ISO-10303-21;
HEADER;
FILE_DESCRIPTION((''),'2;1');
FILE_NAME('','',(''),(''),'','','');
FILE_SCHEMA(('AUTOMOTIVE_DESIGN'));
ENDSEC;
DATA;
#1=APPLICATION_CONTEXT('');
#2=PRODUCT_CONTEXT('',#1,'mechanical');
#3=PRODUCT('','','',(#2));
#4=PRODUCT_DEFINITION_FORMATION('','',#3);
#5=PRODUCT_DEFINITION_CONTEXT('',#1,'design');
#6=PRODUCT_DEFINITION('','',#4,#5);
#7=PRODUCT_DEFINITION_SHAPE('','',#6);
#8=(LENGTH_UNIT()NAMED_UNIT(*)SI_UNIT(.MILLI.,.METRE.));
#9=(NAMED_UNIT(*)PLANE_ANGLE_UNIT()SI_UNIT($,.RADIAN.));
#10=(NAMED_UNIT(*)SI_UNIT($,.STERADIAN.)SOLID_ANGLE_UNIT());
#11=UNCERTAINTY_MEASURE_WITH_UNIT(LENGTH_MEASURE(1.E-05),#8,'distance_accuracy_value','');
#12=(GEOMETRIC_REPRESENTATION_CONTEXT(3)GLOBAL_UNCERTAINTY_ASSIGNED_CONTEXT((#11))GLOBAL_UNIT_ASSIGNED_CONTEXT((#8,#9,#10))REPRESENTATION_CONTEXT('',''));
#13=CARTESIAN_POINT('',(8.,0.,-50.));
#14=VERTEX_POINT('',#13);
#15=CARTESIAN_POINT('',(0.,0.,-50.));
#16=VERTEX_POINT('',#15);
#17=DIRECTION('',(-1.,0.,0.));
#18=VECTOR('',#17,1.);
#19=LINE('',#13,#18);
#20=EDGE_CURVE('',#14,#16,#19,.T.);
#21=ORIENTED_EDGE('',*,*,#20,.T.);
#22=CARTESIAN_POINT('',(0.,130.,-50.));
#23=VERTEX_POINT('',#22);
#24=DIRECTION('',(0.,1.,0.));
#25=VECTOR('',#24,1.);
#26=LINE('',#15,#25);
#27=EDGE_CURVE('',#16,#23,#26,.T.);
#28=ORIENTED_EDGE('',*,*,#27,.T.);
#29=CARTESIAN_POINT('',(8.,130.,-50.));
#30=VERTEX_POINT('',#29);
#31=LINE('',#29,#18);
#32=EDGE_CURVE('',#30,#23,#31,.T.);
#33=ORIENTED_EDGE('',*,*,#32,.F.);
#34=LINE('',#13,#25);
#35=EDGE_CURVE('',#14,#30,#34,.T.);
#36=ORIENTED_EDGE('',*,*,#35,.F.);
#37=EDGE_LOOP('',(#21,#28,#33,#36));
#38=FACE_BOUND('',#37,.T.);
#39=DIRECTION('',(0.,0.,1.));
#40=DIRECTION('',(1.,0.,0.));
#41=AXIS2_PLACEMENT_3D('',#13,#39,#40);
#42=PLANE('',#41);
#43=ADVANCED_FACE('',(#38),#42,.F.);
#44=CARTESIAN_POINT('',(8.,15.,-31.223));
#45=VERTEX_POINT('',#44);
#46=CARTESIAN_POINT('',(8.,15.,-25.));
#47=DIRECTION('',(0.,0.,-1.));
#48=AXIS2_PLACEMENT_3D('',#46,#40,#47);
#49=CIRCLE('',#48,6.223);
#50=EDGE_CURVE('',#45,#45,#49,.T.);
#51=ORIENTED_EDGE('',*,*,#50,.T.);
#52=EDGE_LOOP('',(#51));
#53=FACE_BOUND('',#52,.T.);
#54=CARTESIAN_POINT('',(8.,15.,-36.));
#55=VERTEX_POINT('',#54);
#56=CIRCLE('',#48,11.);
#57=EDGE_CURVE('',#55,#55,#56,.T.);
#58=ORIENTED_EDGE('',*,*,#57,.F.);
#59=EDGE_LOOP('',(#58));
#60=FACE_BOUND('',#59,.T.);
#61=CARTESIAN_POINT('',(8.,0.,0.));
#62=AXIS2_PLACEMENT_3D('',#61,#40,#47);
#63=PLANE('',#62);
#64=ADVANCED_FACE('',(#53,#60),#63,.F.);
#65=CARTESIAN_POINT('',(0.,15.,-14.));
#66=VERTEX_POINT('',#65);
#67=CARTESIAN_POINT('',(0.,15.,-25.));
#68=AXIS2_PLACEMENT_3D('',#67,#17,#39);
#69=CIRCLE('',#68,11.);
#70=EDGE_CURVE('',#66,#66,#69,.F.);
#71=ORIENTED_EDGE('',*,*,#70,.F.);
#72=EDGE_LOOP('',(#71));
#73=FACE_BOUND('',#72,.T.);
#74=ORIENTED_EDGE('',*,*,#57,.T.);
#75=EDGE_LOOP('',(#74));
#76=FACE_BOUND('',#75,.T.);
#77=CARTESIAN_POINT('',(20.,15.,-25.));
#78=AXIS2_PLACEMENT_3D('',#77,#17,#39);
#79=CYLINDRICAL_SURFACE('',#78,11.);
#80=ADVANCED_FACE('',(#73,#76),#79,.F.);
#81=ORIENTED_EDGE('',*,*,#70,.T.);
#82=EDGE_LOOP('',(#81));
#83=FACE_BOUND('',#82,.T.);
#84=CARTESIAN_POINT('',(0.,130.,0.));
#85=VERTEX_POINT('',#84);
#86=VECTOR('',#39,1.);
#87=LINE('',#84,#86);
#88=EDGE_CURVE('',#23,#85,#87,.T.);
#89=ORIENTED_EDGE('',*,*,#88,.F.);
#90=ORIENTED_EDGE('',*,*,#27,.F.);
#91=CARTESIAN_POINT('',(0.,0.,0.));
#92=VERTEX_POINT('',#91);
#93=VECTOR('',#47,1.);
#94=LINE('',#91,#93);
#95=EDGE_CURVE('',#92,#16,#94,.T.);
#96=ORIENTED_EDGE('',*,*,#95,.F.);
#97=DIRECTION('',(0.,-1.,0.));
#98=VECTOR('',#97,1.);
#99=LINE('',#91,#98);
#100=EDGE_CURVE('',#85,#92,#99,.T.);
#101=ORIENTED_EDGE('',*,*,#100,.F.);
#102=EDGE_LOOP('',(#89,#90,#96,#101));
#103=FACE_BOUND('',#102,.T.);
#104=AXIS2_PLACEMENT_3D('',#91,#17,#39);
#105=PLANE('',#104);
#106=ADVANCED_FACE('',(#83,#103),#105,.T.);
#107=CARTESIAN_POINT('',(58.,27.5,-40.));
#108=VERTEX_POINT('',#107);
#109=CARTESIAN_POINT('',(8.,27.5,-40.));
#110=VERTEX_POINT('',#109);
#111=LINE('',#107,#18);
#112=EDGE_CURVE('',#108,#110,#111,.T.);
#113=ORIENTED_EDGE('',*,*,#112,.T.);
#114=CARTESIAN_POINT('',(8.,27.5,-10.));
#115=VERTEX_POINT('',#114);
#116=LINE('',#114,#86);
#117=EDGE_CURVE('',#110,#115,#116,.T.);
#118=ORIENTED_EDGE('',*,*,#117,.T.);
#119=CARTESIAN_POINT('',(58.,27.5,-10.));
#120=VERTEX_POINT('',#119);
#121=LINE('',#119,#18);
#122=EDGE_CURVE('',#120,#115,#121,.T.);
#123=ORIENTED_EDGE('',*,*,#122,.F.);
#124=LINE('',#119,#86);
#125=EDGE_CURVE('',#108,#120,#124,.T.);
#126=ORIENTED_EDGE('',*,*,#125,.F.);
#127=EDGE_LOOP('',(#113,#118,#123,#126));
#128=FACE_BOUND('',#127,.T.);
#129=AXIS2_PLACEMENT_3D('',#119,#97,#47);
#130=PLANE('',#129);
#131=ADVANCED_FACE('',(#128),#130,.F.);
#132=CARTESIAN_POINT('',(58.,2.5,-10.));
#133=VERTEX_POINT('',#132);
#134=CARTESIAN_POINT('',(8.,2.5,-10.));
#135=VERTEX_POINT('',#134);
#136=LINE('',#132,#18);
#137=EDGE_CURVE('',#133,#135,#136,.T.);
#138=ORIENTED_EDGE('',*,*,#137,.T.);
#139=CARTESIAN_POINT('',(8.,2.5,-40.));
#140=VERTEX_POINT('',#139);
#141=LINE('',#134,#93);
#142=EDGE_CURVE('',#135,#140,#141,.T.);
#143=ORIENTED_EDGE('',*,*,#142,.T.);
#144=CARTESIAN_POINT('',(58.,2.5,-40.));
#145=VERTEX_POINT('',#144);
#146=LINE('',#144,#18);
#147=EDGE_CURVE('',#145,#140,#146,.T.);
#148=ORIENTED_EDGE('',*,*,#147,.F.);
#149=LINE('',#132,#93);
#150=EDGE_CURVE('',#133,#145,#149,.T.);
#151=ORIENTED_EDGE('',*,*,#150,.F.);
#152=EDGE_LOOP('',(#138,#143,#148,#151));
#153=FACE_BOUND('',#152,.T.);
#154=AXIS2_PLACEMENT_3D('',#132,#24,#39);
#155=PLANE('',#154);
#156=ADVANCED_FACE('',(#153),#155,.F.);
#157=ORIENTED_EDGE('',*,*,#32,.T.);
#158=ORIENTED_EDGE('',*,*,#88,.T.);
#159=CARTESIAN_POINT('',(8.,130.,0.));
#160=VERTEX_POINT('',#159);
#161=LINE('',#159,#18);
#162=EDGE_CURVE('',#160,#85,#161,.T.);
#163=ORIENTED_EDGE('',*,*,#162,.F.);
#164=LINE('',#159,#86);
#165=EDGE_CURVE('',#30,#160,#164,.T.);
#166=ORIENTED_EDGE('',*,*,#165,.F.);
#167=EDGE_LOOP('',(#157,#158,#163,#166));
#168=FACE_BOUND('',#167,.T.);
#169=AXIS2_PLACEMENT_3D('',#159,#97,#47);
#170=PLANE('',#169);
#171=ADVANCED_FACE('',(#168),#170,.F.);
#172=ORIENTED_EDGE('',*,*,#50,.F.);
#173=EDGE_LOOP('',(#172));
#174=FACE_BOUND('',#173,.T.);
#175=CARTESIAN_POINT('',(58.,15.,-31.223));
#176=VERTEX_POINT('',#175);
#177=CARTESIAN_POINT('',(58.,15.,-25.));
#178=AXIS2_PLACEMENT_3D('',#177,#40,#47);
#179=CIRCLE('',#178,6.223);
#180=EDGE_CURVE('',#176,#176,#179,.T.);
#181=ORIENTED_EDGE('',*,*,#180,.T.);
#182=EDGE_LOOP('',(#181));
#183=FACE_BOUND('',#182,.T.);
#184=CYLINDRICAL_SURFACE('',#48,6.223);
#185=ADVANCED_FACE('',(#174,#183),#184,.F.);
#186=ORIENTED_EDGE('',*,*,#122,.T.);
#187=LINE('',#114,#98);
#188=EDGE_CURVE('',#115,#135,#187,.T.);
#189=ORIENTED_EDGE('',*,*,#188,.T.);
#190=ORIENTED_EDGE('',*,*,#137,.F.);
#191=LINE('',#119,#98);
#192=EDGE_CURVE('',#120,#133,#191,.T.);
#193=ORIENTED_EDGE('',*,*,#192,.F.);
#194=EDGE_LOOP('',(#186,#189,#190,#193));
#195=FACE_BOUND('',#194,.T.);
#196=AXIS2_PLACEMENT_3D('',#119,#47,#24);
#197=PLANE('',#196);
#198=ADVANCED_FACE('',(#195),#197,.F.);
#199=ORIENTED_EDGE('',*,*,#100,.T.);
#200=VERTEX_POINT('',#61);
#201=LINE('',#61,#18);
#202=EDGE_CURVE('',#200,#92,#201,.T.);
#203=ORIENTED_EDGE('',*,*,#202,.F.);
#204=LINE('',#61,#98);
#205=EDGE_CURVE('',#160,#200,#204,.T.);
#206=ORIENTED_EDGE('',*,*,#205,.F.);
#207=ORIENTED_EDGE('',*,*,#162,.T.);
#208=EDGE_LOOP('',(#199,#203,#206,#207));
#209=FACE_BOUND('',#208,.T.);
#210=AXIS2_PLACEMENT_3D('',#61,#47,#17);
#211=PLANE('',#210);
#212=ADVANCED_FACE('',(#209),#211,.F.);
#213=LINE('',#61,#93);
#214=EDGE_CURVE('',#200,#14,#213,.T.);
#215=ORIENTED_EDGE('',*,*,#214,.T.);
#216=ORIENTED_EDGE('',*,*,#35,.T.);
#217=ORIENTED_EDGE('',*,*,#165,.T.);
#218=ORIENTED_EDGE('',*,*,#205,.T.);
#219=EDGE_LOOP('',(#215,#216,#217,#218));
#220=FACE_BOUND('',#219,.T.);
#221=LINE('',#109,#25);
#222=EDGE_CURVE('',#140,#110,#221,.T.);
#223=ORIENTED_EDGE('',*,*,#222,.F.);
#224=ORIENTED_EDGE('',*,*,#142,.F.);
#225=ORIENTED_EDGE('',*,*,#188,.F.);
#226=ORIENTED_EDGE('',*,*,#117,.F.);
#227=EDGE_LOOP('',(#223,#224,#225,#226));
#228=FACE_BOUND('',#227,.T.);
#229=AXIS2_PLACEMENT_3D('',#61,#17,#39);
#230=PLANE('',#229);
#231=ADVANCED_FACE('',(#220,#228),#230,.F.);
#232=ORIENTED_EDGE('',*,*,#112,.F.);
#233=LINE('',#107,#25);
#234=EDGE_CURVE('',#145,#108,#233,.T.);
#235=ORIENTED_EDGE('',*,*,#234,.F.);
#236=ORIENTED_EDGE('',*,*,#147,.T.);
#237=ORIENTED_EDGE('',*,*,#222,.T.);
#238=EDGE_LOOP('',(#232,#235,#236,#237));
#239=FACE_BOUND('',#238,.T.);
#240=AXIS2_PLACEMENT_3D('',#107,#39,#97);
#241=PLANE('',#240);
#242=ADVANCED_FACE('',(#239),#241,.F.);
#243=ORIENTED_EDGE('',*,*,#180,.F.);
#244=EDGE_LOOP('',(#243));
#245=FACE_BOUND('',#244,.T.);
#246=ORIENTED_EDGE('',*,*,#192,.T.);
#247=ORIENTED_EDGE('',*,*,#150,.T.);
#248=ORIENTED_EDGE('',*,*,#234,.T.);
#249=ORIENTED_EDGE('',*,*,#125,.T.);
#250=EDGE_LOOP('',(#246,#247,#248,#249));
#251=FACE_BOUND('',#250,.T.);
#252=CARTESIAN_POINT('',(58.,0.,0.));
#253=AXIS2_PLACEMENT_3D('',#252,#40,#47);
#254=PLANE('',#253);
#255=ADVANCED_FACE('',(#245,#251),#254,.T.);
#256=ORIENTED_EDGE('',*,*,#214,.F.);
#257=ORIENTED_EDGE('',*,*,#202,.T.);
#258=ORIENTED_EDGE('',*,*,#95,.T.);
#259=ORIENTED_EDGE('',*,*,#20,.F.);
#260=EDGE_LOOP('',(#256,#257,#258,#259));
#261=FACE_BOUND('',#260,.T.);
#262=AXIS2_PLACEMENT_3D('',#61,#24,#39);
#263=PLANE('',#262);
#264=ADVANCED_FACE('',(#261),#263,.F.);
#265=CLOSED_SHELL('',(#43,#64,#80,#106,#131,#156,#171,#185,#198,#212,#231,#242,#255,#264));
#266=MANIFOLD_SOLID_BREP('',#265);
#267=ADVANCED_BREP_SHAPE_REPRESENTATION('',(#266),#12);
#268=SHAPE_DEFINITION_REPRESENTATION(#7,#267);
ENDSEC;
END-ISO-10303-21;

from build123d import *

# Parameters (mm, degrees)
SKETCH2_W               = 50
SKETCH2_H               = 130
BOSS_EXTRUDE2_DEPTH     = 8
CUT_EXTRUDE1_DEPTH      = 20
CUT_EXTRUDE1_DEPTH_BACK = 20
SKETCH4_R               = 11
SKETCH7_W               = 30
SKETCH7_H               = 25
BOSS_EXTRUDE3_DEPTH     = 50
SKETCH8_R               = 6.223
CUT_EXTRUDE2_DEPTH      = 50


with BuildPart() as part:
    # Sketch2 → Boss-Extrude2 (new body)
    with BuildSketch(Plane(origin=(0, 0, 0), x_dir=(0, 0, -1), z_dir=(1, 0, 0))):
        with Locations((25, 65)):
            Rectangle(SKETCH2_W, SKETCH2_H)
    extrude(amount=BOSS_EXTRUDE2_DEPTH)

    # Sketch4 → Cut-Extrude1 (cut, two sides: drawn at the far end of the back side and taken through both)
    with BuildSketch(Plane(origin=(0, 0, 0), x_dir=(0, 0, -1), z_dir=(1, 0, 0)).offset(-CUT_EXTRUDE1_DEPTH_BACK)):
        with Locations(Location((25, 15, 0), (0, 0, 180))):
            Circle(SKETCH4_R)
    extrude(amount=CUT_EXTRUDE1_DEPTH + CUT_EXTRUDE1_DEPTH_BACK, mode=Mode.SUBTRACT)

    # Sketch7 → Boss-Extrude3 (add)
    with BuildSketch(Plane(origin=(8, 0, 0), x_dir=(0, 0, -1), z_dir=(1, 0, 0))):
        with Locations((25, 15)):
            Rectangle(SKETCH7_W, SKETCH7_H)
    extrude(amount=BOSS_EXTRUDE3_DEPTH)

    # Sketch8 → Cut-Extrude2 (cut)
    with BuildSketch(Plane(origin=(58, 0, 0), x_dir=(0, 0, -1), z_dir=(1, 0, 0))):
        with Locations((25, 15)):
            Circle(SKETCH8_R)
    extrude(amount=-CUT_EXTRUDE2_DEPTH, mode=Mode.SUBTRACT)


solid = part.part
